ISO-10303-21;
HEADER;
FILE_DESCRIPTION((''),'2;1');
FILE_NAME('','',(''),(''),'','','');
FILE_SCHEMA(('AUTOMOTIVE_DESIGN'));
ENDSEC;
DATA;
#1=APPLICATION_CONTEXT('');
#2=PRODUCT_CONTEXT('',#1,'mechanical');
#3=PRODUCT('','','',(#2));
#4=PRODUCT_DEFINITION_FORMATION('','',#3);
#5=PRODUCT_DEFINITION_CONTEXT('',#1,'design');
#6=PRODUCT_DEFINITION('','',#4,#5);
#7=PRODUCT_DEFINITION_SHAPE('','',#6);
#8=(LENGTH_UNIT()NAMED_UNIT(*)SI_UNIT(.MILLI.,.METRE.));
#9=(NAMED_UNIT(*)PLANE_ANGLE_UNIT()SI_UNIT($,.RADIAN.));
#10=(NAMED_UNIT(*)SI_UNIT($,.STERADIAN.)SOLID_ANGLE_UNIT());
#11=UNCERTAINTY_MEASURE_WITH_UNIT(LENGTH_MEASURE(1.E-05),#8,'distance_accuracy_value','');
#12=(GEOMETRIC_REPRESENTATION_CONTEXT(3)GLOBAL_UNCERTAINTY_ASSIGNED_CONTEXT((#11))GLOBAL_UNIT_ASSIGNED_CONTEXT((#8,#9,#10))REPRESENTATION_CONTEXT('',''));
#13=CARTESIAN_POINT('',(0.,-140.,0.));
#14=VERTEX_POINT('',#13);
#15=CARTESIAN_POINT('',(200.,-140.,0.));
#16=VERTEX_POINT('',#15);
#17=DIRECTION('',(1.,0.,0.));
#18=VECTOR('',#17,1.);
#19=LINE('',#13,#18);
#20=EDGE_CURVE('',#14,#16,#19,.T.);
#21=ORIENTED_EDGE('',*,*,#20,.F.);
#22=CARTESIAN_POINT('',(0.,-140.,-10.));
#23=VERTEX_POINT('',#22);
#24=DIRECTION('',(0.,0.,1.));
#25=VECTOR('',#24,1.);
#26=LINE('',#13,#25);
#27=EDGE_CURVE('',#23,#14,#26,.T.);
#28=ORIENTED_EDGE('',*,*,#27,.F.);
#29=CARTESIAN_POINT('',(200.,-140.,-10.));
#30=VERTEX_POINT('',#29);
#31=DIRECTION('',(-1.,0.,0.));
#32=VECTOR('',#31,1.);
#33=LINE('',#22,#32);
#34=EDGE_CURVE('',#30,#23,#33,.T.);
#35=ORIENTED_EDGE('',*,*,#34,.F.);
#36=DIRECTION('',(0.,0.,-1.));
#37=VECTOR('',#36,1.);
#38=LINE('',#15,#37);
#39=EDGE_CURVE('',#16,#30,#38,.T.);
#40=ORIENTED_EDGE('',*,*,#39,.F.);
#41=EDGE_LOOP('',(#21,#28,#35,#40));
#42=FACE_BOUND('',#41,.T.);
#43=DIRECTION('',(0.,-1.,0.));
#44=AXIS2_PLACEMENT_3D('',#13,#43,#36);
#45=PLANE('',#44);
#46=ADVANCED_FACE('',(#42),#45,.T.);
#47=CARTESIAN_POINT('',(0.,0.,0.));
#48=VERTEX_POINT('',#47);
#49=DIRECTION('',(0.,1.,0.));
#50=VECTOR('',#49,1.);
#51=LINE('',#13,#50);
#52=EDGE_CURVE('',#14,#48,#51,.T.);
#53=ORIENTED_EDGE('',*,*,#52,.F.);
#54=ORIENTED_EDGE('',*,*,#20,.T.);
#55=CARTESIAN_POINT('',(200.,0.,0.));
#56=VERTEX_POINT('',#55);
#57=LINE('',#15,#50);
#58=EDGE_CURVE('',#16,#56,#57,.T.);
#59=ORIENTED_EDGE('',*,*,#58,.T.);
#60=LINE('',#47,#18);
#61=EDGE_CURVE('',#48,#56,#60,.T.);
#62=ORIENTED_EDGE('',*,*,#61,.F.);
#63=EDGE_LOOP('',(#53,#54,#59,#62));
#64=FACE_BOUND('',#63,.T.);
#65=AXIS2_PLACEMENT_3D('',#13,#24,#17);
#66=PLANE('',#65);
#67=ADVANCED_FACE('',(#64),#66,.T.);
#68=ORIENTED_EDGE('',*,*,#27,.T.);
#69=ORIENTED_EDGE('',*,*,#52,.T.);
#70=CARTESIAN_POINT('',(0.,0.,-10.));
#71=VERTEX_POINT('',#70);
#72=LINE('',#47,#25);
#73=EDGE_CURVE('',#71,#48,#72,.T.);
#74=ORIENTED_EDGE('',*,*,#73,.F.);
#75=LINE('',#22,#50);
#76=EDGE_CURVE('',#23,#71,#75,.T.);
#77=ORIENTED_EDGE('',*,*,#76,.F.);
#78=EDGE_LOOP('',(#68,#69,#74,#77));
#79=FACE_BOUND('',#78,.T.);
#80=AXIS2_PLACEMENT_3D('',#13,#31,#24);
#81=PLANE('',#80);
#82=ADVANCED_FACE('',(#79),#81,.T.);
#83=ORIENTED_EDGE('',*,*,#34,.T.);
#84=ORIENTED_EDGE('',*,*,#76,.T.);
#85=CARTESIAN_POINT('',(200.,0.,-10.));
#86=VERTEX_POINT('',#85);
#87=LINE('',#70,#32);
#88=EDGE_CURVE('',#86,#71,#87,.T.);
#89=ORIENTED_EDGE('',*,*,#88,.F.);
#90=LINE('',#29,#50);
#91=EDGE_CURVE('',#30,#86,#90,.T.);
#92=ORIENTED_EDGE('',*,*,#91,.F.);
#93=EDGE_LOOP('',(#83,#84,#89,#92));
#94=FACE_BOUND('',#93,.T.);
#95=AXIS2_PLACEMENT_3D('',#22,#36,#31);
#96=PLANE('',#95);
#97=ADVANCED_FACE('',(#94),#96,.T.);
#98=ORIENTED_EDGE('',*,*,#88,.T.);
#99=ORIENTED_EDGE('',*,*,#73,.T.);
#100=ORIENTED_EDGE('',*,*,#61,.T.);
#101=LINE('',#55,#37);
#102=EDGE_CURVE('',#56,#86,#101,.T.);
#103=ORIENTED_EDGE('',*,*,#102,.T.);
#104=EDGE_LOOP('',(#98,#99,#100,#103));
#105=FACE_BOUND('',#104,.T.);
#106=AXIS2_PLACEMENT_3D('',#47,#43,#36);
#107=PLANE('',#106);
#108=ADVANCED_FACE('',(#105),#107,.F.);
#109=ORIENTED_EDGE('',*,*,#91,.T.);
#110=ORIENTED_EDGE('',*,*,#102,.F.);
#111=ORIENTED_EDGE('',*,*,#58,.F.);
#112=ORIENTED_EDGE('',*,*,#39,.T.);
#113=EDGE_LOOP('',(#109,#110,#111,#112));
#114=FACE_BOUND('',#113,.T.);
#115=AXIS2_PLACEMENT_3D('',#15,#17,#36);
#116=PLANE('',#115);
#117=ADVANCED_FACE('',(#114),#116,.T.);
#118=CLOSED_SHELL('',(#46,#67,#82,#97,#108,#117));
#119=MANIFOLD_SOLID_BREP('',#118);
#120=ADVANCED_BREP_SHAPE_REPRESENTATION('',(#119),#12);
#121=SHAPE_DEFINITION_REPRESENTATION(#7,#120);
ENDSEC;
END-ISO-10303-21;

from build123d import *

# Parameters (mm, degrees)
SKETCH_1_W      = 200
SKETCH_1_H      = 10
EXTRUDE_1_DEPTH = 140


with BuildPart() as part:
    # Эскиз1 → Бобышка-Вытянуть1 (new body)
    with BuildSketch(Plane(origin=(0, 0, 0), x_dir=(1, 0, 0), z_dir=(0, 1, 0))):
        with Locations((100, 5)):
            Rectangle(SKETCH_1_W, SKETCH_1_H)
    extrude(amount=-EXTRUDE_1_DEPTH)


solid = part.part
